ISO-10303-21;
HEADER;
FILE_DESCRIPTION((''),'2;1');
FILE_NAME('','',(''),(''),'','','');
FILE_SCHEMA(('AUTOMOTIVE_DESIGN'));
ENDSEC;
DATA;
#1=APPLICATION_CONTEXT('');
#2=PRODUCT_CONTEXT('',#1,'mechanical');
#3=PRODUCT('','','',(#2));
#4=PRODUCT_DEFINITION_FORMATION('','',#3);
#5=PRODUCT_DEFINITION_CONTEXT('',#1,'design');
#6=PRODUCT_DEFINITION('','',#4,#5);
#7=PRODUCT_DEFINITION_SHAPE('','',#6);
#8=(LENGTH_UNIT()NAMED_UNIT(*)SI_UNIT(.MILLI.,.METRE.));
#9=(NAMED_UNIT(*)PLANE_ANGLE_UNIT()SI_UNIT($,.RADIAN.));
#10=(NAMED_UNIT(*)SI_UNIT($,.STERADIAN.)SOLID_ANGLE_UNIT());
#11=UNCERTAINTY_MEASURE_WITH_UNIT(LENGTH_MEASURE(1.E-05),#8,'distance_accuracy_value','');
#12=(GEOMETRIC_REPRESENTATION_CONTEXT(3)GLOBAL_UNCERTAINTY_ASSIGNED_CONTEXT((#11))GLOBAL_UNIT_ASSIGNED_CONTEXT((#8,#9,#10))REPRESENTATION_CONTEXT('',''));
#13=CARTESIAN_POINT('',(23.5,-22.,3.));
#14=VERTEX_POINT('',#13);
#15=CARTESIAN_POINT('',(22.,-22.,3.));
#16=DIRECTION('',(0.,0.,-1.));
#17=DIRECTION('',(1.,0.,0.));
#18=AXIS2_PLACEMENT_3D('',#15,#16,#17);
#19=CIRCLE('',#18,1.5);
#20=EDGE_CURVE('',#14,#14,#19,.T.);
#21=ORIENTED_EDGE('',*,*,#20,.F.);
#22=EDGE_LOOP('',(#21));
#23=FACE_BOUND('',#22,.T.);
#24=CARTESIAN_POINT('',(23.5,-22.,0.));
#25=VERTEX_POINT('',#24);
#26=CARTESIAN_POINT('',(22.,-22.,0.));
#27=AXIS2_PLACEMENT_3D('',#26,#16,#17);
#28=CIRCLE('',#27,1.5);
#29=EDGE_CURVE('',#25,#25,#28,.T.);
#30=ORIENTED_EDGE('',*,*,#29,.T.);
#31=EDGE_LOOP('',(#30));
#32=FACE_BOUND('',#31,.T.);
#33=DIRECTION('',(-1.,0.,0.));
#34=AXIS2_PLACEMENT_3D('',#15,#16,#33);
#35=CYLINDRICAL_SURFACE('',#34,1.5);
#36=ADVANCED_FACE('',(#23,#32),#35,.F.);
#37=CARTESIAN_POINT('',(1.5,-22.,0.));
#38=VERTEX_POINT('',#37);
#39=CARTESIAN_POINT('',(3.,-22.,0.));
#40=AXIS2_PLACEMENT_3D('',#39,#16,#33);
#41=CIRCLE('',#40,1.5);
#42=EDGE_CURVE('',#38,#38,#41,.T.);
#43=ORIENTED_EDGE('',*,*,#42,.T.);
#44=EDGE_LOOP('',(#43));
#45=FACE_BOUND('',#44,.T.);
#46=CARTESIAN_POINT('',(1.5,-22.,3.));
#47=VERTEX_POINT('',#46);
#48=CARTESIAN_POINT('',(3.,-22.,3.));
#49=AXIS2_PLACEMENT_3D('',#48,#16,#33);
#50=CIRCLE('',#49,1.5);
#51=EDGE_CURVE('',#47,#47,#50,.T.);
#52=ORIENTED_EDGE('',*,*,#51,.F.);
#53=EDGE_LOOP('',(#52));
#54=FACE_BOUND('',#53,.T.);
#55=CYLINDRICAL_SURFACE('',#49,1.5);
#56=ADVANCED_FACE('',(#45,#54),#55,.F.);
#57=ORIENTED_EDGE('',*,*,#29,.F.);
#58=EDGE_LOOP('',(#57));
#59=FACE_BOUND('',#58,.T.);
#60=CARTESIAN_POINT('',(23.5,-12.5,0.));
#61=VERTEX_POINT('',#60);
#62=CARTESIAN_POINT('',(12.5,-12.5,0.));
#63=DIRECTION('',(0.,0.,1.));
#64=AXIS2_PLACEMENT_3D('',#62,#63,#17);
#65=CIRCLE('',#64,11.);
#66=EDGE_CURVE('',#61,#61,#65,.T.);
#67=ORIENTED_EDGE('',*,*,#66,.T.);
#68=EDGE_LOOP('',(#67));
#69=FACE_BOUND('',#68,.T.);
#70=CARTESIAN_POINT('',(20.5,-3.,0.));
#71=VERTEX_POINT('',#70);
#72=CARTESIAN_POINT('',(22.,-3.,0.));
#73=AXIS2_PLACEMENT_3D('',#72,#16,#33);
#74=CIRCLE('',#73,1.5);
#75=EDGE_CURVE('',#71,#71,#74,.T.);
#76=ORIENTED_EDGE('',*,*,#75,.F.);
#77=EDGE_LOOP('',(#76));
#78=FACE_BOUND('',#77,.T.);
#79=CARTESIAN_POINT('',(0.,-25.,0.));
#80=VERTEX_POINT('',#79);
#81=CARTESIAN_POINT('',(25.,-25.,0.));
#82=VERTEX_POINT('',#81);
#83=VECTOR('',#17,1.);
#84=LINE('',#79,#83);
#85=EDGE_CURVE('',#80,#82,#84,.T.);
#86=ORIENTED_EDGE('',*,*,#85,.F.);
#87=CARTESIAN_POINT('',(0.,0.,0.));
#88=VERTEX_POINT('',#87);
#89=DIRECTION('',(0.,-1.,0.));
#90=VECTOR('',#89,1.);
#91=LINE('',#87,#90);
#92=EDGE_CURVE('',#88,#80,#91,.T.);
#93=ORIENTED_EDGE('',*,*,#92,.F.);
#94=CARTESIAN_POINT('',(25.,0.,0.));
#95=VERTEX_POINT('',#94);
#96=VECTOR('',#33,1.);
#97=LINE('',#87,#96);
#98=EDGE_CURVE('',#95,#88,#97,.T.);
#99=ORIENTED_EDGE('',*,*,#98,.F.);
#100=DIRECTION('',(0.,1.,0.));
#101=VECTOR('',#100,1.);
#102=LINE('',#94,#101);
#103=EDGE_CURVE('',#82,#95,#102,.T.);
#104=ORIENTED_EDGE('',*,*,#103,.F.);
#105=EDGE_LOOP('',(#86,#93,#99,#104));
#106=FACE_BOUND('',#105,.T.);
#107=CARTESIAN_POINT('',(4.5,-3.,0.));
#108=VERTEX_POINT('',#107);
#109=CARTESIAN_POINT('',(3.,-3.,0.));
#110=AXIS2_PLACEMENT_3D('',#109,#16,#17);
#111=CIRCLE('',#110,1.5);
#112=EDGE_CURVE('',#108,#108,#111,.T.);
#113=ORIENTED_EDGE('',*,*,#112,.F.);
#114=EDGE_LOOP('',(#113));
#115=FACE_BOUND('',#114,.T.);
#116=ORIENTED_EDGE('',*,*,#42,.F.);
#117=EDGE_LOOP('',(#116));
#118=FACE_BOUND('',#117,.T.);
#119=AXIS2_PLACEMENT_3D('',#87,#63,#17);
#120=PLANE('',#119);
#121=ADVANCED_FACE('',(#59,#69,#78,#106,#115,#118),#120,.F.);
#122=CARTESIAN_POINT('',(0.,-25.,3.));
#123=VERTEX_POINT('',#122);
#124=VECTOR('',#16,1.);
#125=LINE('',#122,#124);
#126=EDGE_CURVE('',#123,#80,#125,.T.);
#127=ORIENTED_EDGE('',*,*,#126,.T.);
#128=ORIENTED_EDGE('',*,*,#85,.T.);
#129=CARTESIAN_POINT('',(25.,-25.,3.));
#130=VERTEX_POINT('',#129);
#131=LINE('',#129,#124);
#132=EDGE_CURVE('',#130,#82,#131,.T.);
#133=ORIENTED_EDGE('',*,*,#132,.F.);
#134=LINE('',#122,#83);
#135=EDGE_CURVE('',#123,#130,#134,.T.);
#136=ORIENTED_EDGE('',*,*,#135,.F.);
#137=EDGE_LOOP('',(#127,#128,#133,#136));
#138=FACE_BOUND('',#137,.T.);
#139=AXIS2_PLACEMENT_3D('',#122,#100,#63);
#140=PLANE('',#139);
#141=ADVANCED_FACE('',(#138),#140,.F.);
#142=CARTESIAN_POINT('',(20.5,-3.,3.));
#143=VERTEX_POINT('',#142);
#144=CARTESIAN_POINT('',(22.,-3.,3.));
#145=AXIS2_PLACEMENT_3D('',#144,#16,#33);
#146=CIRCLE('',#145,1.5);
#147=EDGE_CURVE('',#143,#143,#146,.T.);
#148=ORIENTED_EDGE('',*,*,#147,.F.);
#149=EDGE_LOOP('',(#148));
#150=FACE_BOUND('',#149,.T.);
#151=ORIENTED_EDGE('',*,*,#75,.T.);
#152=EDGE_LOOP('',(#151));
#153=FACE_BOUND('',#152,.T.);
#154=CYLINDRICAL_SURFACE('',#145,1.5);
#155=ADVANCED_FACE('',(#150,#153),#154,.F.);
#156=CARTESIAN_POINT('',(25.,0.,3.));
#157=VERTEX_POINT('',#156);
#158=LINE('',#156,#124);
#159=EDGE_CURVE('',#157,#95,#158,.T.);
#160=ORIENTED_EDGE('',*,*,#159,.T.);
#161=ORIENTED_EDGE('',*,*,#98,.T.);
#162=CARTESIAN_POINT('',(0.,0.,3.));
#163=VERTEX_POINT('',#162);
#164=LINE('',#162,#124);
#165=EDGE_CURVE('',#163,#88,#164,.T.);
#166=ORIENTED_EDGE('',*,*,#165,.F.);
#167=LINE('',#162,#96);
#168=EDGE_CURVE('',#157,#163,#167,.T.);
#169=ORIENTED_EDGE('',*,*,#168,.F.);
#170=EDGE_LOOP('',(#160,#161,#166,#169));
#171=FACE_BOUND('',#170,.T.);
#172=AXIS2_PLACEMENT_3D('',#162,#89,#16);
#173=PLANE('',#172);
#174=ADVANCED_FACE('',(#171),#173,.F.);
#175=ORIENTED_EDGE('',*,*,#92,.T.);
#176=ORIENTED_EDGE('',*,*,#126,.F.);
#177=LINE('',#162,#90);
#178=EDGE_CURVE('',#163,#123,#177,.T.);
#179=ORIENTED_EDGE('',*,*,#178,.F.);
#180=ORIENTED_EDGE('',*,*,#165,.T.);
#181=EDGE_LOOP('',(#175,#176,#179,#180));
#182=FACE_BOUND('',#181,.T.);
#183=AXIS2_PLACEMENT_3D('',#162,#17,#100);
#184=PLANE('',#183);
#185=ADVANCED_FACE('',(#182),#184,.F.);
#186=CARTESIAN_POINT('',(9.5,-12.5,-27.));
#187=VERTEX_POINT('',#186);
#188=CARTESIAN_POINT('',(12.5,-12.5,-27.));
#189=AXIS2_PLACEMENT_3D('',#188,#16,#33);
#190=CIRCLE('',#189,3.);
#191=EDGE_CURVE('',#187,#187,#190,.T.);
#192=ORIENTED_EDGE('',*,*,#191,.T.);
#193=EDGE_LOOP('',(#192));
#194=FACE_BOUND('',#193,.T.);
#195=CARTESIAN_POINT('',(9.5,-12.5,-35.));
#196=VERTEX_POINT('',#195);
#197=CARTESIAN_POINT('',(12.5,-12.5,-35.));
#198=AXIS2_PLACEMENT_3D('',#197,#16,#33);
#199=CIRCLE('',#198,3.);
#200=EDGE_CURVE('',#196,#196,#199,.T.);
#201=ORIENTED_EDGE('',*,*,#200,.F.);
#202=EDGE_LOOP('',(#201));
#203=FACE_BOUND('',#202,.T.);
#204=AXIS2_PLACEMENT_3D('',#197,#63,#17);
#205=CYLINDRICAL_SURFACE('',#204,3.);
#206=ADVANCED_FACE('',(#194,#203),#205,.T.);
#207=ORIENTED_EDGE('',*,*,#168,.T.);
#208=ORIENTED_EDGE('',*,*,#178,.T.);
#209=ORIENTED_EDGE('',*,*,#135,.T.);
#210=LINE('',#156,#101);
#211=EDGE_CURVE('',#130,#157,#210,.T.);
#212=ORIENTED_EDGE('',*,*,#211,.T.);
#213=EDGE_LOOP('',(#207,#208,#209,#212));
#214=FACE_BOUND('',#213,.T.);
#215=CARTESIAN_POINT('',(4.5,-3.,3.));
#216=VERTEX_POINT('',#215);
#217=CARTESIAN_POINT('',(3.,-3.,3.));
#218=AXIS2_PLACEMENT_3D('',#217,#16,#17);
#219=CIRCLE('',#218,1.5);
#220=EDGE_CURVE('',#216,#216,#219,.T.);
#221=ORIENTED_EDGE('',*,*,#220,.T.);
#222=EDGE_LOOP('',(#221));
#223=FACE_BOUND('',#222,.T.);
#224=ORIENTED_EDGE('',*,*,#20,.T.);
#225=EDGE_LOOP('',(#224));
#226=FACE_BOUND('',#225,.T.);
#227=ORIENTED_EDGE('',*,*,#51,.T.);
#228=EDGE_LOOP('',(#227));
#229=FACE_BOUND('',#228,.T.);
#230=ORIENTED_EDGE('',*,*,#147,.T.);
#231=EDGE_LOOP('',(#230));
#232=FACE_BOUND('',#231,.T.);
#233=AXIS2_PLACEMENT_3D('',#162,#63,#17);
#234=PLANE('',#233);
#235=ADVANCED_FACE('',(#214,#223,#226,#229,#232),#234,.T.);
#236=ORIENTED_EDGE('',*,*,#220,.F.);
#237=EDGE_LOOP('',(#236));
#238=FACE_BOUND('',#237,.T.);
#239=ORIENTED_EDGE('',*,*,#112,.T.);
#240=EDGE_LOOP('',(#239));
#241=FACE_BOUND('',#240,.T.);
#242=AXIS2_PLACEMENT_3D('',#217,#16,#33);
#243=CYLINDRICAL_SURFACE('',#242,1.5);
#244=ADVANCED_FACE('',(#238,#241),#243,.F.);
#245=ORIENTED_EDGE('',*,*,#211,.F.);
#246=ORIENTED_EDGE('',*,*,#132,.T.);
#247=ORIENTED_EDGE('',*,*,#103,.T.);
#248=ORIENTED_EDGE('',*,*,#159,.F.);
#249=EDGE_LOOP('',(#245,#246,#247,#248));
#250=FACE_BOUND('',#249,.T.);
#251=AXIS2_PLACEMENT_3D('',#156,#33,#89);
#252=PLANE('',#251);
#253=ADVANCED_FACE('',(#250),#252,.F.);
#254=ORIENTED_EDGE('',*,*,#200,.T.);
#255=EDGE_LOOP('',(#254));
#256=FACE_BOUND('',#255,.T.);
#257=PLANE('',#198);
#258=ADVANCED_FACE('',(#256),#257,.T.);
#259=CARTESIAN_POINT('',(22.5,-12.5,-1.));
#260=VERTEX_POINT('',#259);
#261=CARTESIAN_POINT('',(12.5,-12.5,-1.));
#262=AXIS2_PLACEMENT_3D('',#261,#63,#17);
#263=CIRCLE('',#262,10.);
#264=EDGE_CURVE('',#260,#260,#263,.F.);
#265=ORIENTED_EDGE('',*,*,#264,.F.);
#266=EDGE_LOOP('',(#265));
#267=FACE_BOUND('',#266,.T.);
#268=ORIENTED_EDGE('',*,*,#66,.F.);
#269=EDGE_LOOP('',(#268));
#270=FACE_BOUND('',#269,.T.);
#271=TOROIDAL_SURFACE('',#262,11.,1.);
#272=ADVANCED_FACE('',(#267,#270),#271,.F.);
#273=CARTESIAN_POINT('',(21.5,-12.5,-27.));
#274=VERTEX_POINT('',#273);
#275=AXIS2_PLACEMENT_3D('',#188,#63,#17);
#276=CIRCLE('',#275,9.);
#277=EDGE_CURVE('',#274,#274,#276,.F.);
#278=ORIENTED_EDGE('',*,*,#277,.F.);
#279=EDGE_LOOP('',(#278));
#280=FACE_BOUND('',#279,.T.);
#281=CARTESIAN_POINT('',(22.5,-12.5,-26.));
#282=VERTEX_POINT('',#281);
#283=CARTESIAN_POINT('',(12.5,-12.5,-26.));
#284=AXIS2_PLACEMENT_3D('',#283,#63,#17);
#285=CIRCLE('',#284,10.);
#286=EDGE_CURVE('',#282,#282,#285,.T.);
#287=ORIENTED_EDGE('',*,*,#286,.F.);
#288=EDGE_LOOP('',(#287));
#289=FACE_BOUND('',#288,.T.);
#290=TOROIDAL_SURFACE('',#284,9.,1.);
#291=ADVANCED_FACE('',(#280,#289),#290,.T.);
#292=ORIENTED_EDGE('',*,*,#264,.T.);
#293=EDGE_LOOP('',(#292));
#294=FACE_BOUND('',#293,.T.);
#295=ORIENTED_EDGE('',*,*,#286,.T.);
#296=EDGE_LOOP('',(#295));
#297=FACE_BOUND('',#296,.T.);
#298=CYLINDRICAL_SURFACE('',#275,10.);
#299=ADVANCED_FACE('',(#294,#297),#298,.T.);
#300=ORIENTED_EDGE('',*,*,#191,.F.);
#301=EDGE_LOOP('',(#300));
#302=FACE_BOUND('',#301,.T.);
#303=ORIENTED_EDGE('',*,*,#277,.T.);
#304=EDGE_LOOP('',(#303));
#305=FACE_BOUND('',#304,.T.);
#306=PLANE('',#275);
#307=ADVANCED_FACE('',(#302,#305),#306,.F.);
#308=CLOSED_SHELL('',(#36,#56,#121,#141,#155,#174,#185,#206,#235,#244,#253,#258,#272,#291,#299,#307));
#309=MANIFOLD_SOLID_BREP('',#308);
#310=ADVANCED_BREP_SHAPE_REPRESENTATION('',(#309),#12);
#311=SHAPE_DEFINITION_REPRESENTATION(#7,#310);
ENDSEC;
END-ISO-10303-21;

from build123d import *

# Parameters (mm, degrees)
SKETCH_2_W          = 25
SKETCH_2_H          = 25
EXTRUDE_1_DEPTH     = 3
SKETCH_3_R          = 1.5
CUT_EXTRUDE_2_DEPTH = 4
EXTRUDE_START       = -3
SKETCH_4_R          = 10
EXTRUDE_2_DEPTH     = 27
SKETCH_5_R          = 3
EXTRUDE_3_DEPTH     = 8
FILLET_3_R          = 1


with BuildPart() as part:
    # 草图2 → 凸台-拉伸1 (new body)
    with BuildSketch(Plane.XY):
        with Locations((12.5, -12.5)):
            Rectangle(SKETCH_2_W, SKETCH_2_H)
    extrude(amount=EXTRUDE_1_DEPTH)

    # 草图3 → 切除-拉伸2 (cut, through all)
    with BuildSketch(Plane(origin=(0, 0, 0), x_dir=(-1, 0, 0), z_dir=(0, 0, -1))):
        with Locations((-22, -3)):
            Circle(SKETCH_3_R)
        with Locations((-3, -3)):
            Circle(SKETCH_3_R)
        with Locations((-3, -22)):
            Circle(SKETCH_3_R)
        with Locations((-22, -22)):
            Circle(SKETCH_3_R)
    extrude(amount=-CUT_EXTRUDE_2_DEPTH, mode=Mode.SUBTRACT)

    # 草图4 → 凸台-拉伸2 (add)
    with BuildSketch(Plane.XY.offset(3).offset(EXTRUDE_START)):
        with Locations((12.5, -12.5)):
            Circle(SKETCH_4_R)
    extrude(amount=-EXTRUDE_2_DEPTH)

    # 草图5 → 凸台-拉伸3 (add)
    with BuildSketch(Plane(origin=(0, 0, -27), x_dir=(-1, 0, 0), z_dir=(0, 0, -1))):
        with Locations((-12.5, -12.5)):
            Circle(SKETCH_5_R)
    extrude(amount=EXTRUDE_3_DEPTH)

    # 圆角3
    fillet_3_edges = [part.edges().sort_by_distance(p)[0] for p in [
        (2.5, -12.5, -27),
        (2.5, -12.5, 0),
    ]]
    fillet(fillet_3_edges, radius=FILLET_3_R)


solid = part.part
